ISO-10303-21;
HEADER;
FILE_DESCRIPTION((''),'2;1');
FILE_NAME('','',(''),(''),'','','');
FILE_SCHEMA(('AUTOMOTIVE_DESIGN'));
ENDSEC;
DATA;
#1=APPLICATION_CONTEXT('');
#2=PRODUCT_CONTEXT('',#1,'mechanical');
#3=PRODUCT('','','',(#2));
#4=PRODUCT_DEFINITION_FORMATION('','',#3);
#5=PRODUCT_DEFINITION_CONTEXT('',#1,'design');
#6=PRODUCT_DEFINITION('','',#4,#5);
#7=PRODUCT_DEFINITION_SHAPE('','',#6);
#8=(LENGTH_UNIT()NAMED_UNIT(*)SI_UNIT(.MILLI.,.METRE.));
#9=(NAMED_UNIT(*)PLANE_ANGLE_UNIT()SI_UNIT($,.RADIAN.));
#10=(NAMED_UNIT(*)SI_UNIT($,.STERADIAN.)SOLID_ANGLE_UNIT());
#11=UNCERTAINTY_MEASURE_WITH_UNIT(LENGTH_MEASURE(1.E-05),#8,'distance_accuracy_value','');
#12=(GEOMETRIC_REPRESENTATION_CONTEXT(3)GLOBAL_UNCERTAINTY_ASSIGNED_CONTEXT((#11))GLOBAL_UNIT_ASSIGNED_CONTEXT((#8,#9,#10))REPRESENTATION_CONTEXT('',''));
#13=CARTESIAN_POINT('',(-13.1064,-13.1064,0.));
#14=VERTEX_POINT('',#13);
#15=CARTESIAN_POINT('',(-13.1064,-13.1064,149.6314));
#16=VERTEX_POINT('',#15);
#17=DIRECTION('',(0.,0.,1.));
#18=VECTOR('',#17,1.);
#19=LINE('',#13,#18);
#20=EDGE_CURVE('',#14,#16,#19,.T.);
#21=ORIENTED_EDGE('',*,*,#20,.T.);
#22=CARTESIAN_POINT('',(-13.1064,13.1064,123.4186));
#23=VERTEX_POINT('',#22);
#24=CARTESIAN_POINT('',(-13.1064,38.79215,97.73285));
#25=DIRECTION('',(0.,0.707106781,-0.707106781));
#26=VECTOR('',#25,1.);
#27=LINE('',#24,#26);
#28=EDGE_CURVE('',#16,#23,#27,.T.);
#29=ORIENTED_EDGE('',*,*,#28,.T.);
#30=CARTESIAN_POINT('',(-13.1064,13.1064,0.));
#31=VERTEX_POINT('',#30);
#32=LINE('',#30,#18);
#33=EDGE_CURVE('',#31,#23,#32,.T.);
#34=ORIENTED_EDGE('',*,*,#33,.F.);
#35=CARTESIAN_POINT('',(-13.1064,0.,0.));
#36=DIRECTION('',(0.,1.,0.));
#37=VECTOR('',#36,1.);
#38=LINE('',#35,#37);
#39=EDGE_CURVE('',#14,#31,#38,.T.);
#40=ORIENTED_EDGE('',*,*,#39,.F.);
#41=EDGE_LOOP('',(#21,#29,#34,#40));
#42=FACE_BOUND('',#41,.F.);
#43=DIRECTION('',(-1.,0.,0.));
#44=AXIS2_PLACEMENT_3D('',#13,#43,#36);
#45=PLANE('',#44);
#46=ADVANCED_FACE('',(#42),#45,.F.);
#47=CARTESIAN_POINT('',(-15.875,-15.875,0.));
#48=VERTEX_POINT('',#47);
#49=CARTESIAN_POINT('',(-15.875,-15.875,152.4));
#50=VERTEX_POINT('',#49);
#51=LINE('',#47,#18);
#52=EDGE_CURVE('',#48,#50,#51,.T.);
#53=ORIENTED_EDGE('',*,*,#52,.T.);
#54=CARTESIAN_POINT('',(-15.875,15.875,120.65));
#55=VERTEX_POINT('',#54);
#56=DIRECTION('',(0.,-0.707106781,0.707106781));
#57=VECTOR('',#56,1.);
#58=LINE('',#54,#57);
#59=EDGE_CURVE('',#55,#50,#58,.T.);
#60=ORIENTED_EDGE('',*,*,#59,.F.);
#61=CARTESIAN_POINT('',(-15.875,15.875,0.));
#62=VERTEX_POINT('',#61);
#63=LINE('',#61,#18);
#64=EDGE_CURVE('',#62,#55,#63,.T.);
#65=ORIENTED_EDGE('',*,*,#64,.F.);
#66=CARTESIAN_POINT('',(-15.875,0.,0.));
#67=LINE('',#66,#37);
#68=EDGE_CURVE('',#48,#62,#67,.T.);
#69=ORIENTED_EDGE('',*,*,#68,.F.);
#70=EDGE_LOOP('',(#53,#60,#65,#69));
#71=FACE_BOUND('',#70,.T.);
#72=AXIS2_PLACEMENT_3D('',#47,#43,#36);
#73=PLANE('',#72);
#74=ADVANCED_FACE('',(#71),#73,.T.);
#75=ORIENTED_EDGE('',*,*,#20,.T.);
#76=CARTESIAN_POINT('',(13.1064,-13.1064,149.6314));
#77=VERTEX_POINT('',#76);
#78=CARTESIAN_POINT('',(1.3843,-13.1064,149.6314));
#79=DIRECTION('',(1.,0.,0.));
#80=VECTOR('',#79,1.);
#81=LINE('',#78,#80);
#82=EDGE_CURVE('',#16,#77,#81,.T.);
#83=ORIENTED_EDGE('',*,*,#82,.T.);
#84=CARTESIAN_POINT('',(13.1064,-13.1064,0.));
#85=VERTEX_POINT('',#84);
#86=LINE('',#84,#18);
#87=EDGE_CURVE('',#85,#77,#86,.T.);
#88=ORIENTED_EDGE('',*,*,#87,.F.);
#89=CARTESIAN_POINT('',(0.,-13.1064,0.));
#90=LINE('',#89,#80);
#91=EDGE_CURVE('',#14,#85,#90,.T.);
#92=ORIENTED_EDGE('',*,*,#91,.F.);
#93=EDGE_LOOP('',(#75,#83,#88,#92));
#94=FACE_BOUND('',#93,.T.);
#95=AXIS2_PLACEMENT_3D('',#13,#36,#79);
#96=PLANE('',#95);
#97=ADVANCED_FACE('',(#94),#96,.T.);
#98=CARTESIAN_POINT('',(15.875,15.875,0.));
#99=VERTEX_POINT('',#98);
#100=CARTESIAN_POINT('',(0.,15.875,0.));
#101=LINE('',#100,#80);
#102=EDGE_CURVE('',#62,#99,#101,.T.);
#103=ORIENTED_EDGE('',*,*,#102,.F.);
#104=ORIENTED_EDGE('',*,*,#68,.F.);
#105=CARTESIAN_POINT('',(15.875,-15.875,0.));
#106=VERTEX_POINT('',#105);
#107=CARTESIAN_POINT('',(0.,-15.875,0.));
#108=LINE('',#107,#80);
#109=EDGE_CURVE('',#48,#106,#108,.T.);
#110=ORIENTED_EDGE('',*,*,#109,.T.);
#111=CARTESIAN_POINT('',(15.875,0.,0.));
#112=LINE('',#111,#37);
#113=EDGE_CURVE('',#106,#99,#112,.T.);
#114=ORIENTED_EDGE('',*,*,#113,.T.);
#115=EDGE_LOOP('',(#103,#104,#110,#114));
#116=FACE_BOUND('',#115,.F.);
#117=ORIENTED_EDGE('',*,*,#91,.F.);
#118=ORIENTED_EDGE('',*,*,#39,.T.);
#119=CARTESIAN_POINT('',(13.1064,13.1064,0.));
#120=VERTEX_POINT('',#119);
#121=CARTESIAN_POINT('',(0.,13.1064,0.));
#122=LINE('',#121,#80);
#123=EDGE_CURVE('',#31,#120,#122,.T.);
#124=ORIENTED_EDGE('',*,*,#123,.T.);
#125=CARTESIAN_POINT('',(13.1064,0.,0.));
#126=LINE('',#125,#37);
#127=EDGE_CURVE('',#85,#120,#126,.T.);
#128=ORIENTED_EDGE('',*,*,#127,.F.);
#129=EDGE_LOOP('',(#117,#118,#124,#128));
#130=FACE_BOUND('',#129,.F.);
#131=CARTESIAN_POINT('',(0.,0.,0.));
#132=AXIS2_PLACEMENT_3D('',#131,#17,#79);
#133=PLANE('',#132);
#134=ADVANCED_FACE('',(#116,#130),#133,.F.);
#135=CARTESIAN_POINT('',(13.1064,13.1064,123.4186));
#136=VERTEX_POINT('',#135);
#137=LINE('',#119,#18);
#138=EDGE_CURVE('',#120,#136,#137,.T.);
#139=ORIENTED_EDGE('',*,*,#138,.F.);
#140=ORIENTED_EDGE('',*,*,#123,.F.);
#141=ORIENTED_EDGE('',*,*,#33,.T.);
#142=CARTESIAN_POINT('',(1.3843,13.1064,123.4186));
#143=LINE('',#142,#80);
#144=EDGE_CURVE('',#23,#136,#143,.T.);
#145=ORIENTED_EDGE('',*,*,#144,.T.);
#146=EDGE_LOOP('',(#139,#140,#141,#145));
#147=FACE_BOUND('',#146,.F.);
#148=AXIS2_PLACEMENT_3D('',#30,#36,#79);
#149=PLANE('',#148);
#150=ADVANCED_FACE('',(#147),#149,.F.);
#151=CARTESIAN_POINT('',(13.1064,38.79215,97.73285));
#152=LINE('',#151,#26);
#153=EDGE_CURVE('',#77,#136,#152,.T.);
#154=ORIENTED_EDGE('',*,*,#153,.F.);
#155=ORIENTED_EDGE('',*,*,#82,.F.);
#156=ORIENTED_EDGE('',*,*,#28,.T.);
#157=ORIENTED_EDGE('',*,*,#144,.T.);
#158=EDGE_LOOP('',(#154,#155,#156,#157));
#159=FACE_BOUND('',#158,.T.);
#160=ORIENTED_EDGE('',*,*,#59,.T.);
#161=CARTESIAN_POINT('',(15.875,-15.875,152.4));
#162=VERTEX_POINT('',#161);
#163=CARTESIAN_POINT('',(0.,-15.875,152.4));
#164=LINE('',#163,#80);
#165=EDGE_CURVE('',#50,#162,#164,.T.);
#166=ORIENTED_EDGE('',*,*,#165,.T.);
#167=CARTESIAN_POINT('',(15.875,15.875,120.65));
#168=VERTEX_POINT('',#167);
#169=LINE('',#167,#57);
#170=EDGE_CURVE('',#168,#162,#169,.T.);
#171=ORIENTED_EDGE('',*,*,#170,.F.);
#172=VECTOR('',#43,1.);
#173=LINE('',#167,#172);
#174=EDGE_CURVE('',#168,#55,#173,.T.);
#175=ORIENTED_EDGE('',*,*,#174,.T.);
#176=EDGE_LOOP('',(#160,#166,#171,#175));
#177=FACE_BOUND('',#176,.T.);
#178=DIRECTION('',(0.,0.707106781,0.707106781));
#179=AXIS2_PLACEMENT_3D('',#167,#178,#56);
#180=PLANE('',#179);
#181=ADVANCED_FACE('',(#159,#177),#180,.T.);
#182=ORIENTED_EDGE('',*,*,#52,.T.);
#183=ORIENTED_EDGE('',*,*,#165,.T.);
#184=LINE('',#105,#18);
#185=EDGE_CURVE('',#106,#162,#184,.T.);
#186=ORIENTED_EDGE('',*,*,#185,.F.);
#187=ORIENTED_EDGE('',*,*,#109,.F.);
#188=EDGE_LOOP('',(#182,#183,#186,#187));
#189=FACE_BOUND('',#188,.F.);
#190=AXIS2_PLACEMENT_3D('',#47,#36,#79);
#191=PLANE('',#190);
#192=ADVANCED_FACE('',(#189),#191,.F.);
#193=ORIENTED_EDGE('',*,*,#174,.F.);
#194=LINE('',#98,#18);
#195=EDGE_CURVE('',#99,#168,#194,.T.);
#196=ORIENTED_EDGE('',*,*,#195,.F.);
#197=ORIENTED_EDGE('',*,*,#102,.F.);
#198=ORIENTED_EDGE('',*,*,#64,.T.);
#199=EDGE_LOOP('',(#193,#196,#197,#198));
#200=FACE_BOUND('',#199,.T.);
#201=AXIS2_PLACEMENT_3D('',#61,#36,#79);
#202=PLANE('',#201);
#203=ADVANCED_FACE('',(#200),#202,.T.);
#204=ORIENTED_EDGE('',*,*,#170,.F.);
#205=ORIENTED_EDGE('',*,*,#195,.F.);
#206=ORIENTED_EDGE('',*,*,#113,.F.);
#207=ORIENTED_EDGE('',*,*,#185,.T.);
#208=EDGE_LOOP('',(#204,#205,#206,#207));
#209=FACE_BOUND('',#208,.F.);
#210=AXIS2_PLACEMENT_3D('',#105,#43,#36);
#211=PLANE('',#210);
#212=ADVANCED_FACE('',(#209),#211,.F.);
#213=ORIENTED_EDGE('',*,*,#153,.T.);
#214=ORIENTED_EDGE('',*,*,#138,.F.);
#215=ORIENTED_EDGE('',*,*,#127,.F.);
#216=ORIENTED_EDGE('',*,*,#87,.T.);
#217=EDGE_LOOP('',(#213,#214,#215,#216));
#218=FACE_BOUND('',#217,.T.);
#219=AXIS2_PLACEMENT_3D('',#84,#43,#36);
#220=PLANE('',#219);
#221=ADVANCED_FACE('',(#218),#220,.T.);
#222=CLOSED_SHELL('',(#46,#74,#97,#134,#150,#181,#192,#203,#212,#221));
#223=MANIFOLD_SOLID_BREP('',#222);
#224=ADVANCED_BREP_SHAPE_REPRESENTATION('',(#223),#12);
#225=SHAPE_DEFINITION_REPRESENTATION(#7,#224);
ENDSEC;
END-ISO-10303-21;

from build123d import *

# Parameters (mm, degrees)
SKETCH_W     = 31.75
SKETCH_H     = 31.75
SKETCH_W_2   = 26.2128
SKETCH_H_2   = 26.2128
PAD_DEPTH    = 152.4
POCKET_DEPTH = 31.75


with BuildPart() as part:
    # Sketch → Pad (new body)
    with BuildSketch(Plane.XY):
        Rectangle(SKETCH_W, SKETCH_H)
        Rectangle(SKETCH_W_2, SKETCH_H_2, mode=Mode.SUBTRACT)
    extrude(amount=PAD_DEPTH)

    # Sketch001 → Pocket (cut)
    with BuildSketch(Plane.YZ.offset(15.875)):
        Polygon((-15.875, 152.4), (15.875, 152.4), (15.875, 120.65), align=None)
    extrude(amount=-POCKET_DEPTH, mode=Mode.SUBTRACT)


solid = part.part
